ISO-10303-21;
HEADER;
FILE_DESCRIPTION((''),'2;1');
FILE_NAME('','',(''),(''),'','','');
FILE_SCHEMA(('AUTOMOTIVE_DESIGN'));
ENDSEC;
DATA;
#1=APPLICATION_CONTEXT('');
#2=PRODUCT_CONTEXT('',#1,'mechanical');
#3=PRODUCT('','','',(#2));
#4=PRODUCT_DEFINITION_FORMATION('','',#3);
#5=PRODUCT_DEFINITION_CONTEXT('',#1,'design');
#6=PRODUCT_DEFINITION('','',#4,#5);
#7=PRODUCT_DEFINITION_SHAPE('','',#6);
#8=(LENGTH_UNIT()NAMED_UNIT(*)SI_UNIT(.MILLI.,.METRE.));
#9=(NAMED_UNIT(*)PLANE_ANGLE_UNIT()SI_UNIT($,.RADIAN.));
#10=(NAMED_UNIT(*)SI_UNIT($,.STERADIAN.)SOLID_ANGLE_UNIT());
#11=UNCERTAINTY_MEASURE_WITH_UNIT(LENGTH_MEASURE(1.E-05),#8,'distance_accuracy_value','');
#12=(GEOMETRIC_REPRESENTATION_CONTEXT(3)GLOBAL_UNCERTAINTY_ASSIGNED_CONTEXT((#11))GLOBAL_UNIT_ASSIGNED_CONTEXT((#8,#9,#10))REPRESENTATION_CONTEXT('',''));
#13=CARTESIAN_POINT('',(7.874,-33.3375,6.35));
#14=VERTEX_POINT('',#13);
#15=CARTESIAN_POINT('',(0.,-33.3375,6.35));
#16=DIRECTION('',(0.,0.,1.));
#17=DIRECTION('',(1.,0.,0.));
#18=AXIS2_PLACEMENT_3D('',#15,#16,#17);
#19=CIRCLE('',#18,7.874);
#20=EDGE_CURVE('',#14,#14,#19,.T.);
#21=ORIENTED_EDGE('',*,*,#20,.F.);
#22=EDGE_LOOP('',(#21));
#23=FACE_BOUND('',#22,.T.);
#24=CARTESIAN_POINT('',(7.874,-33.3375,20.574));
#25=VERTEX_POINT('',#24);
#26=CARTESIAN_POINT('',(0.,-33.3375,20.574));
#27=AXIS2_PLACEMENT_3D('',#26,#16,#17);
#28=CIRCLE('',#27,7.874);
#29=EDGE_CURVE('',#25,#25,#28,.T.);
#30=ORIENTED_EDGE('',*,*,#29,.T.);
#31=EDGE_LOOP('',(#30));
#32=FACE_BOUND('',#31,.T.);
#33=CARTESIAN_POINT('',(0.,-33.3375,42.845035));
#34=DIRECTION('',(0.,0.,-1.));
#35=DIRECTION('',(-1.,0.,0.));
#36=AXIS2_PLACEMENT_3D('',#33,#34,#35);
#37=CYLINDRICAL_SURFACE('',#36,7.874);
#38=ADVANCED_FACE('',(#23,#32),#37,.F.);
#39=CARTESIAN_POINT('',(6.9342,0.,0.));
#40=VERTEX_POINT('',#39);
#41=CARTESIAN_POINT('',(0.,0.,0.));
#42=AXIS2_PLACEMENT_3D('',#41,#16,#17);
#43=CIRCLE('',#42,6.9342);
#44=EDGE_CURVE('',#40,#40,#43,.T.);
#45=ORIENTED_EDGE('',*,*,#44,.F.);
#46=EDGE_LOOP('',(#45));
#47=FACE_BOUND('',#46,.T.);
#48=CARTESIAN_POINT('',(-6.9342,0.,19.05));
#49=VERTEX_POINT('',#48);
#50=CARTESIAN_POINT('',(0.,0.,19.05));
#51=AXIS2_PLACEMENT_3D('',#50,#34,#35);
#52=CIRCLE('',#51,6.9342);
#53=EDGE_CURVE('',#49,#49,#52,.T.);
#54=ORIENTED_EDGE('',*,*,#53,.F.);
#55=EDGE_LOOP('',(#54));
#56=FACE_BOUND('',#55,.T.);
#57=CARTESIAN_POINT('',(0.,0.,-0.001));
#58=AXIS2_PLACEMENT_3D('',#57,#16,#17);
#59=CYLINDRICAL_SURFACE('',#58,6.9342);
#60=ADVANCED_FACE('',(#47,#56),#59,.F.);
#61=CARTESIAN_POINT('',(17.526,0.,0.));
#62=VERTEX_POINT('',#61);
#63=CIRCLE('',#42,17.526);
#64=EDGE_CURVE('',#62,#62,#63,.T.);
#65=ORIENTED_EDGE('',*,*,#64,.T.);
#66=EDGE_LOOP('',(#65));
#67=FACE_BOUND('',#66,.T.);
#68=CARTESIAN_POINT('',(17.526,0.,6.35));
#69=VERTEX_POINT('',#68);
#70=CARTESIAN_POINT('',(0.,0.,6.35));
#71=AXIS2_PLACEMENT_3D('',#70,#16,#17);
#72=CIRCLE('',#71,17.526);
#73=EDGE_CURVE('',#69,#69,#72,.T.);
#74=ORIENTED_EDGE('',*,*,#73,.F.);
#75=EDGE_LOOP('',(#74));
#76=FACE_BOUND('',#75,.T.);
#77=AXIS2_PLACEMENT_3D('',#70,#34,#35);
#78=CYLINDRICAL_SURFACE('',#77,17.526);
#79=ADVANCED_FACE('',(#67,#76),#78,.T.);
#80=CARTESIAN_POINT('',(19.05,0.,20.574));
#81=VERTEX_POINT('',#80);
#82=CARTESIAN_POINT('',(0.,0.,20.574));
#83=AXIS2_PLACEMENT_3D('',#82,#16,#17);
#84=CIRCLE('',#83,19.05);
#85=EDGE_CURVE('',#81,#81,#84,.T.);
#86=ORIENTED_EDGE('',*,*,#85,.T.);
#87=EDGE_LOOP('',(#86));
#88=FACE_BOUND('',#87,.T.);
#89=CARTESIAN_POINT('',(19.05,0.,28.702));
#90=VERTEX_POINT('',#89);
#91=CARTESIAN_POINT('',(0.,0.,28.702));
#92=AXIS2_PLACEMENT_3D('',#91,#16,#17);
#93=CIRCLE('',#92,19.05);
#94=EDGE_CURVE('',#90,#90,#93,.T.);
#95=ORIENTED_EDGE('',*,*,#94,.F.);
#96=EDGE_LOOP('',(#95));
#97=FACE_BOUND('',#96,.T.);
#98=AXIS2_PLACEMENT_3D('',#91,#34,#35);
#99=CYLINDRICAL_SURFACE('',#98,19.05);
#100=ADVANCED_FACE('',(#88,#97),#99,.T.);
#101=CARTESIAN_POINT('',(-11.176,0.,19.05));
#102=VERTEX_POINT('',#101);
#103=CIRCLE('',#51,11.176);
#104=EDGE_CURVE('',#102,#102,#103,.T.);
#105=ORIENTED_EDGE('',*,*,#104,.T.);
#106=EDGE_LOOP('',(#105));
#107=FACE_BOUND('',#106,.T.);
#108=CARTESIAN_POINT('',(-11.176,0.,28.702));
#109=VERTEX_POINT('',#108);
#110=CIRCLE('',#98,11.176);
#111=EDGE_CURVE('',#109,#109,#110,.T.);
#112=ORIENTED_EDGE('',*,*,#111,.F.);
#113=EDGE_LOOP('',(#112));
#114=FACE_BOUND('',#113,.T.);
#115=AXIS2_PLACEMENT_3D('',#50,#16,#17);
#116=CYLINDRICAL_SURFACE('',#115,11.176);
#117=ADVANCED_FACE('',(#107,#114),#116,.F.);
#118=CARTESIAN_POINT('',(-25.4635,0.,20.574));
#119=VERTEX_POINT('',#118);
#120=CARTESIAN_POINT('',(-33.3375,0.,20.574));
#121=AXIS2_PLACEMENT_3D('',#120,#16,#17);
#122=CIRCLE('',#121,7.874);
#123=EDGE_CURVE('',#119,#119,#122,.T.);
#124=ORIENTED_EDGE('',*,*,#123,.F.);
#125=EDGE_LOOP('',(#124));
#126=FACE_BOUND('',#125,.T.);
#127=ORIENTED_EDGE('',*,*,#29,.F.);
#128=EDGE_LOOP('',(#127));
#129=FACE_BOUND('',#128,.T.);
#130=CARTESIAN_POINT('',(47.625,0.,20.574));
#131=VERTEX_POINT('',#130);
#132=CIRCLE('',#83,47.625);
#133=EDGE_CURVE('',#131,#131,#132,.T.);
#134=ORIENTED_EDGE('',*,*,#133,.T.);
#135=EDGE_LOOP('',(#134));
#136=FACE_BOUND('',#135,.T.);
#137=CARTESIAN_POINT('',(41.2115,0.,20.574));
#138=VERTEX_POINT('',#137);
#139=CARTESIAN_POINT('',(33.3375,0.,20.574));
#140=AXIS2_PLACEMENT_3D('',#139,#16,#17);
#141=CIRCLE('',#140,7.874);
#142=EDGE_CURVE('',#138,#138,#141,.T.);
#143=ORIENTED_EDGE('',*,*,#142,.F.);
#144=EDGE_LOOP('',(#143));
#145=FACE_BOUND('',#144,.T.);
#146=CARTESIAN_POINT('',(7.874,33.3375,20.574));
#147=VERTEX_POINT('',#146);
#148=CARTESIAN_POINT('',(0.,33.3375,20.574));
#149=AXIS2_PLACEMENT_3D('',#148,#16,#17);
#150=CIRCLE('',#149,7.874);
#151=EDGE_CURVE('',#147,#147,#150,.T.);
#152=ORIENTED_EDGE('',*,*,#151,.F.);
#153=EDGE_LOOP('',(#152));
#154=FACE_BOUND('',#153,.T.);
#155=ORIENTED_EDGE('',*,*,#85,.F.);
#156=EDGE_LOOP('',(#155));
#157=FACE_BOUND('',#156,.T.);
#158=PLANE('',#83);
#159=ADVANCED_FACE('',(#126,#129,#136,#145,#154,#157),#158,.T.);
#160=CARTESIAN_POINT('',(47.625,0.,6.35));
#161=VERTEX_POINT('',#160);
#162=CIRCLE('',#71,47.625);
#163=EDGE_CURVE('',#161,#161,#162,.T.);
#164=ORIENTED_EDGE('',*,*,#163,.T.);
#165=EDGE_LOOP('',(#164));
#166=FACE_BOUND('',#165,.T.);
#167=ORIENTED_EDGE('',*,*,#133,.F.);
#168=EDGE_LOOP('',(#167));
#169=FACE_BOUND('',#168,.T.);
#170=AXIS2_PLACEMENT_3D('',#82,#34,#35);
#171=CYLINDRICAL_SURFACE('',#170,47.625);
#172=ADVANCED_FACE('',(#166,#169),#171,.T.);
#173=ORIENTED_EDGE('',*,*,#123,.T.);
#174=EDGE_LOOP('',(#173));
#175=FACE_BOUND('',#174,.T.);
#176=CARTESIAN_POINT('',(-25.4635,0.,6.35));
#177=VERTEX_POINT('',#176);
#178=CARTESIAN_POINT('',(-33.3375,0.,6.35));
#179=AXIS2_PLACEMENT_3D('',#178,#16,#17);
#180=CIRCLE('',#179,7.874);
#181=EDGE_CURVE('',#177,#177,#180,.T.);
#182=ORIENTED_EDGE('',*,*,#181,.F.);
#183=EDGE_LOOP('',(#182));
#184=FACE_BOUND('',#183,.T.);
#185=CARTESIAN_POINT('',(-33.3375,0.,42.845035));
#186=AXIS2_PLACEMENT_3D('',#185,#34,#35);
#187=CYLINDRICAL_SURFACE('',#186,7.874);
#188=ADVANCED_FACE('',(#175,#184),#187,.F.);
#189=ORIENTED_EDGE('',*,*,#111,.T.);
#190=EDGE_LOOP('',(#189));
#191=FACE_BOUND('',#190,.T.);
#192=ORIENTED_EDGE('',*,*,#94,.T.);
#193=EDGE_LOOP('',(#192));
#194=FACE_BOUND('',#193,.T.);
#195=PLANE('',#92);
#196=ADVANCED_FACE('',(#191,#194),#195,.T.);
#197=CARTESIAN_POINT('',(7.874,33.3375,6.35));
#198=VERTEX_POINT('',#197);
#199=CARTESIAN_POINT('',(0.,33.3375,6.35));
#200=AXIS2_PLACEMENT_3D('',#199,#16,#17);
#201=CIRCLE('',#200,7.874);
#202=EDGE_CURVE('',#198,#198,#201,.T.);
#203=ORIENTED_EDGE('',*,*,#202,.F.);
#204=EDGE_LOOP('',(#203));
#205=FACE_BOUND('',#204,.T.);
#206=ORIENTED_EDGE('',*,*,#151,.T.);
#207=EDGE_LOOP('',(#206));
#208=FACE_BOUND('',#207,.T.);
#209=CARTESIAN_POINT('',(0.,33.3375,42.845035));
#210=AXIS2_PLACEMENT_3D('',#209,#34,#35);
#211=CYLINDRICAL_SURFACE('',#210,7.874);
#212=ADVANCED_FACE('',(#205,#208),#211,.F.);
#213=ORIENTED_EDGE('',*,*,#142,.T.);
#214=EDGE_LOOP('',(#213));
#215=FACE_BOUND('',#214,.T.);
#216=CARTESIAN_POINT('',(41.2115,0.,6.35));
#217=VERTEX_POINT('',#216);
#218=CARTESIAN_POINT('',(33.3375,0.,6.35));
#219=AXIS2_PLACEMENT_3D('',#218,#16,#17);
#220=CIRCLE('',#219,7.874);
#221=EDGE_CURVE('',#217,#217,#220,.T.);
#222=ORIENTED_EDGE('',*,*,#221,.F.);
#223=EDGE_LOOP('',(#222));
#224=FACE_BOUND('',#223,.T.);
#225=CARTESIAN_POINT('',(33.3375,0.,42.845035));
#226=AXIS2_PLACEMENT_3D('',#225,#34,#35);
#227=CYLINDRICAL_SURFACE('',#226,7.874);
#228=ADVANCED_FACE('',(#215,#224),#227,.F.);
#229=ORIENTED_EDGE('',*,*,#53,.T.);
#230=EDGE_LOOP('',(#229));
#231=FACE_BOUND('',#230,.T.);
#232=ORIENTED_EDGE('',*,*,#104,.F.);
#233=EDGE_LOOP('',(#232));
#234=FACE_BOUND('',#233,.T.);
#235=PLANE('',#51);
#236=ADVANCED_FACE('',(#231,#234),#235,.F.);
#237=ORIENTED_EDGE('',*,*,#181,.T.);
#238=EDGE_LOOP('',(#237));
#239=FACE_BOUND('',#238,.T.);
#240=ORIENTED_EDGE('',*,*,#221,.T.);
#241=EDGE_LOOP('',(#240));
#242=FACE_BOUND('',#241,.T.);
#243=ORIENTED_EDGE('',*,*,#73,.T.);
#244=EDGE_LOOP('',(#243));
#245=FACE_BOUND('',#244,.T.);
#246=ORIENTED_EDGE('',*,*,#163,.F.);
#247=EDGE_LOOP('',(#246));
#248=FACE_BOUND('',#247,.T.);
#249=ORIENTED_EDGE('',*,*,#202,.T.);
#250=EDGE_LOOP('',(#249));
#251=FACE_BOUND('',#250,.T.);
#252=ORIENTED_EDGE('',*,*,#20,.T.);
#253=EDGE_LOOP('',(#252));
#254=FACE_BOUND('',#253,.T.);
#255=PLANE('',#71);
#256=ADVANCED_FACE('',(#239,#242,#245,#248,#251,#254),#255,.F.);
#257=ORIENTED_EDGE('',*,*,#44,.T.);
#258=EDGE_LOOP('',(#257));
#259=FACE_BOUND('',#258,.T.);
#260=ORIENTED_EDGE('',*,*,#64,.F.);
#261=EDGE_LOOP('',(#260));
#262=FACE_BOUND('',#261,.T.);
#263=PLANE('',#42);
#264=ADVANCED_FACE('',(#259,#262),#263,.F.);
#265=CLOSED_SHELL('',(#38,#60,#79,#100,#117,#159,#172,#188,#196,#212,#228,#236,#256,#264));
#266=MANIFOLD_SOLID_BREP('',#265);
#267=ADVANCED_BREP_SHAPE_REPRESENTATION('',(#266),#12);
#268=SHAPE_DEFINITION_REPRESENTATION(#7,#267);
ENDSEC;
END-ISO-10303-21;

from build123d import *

# Parameters (mm, degrees)
SKETCH1_R         = 17.526
EXTRUDE1_DEPTH    = 6.35
EXTRUDE2_START    = 6.35
SKETCH1_3_R       = 47.625
EXTRUDE2_DEPTH    = 14.224
EXTRUDE3_START    = 20.574
SKETCH1_4_R       = 19.05
EXTRUDE3_DEPTH    = 8.128
EXTRUDE4_START    = 6.35
SKETCH1_5_R       = 7.874
EXTRUDE4_DEPTH    = 14.224
CIRPATTERN1_COUNT = 4
SKETCH3_R         = 11.176
EXTRUDE5_DEPTH    = 9.652
EXTRUDE6_REACH    = 30.702
SKETCH3_3_R       = 6.9342


with BuildPart() as part:
    # Sketch1 → Extrude1 (new body)
    with BuildSketch(Plane.XY):
        Circle(SKETCH1_R)
    extrude(amount=EXTRUDE1_DEPTH)

    # Sketch1<3> → Extrude2 (add)
    with BuildSketch(Plane.XY.offset(EXTRUDE2_START)):
        Circle(SKETCH1_3_R)
    extrude(amount=EXTRUDE2_DEPTH)

    # Sketch1<4> → Extrude3 (add)
    with BuildSketch(Plane.XY.offset(EXTRUDE3_START)):
        Circle(SKETCH1_4_R)
    extrude(amount=EXTRUDE3_DEPTH)

    # Sketch1<5> → Extrude4 (cut)
    with BuildSketch(Plane.XY.offset(EXTRUDE4_START)):
        with Locations((0, 33.3375)):
            Circle(SKETCH1_5_R)
    extrude4 = extrude(amount=EXTRUDE4_DEPTH, mode=Mode.SUBTRACT)

    # CirPattern1: Extrude4 ×4 about axis
    cirpattern1_axis = Axis((0, 0, 0), (0, 0, 1))
    for i in range(1, CIRPATTERN1_COUNT):
        add(extrude4.rotate(cirpattern1_axis, i * 360 / CIRPATTERN1_COUNT), mode=Mode.SUBTRACT)

    # Sketch3 → Extrude5 (cut)
    with BuildSketch(Plane(origin=(0, 0, 28.702), x_dir=(-1, 0, 0), z_dir=(0, 0, -1))):
        Circle(SKETCH3_R)
    extrude(amount=EXTRUDE5_DEPTH, mode=Mode.SUBTRACT)

    # Sketch3<3> → Extrude6 (cut, up to next)
    with BuildSketch(Plane(origin=(0, 0, 28.702), x_dir=(-1, 0, 0), z_dir=(0, 0, -1)), mode=Mode.PRIVATE) as extrude6_sk1:
        Circle(SKETCH3_3_R)
    extrude6_tool1 = extrude(extrude6_sk1.sketch, amount=EXTRUDE6_REACH, mode=Mode.PRIVATE) & part.part
    add(extrude6_tool1.solids().sort_by_distance((0, 0, 28.702))[0], mode=Mode.SUBTRACT)


solid = part.part
